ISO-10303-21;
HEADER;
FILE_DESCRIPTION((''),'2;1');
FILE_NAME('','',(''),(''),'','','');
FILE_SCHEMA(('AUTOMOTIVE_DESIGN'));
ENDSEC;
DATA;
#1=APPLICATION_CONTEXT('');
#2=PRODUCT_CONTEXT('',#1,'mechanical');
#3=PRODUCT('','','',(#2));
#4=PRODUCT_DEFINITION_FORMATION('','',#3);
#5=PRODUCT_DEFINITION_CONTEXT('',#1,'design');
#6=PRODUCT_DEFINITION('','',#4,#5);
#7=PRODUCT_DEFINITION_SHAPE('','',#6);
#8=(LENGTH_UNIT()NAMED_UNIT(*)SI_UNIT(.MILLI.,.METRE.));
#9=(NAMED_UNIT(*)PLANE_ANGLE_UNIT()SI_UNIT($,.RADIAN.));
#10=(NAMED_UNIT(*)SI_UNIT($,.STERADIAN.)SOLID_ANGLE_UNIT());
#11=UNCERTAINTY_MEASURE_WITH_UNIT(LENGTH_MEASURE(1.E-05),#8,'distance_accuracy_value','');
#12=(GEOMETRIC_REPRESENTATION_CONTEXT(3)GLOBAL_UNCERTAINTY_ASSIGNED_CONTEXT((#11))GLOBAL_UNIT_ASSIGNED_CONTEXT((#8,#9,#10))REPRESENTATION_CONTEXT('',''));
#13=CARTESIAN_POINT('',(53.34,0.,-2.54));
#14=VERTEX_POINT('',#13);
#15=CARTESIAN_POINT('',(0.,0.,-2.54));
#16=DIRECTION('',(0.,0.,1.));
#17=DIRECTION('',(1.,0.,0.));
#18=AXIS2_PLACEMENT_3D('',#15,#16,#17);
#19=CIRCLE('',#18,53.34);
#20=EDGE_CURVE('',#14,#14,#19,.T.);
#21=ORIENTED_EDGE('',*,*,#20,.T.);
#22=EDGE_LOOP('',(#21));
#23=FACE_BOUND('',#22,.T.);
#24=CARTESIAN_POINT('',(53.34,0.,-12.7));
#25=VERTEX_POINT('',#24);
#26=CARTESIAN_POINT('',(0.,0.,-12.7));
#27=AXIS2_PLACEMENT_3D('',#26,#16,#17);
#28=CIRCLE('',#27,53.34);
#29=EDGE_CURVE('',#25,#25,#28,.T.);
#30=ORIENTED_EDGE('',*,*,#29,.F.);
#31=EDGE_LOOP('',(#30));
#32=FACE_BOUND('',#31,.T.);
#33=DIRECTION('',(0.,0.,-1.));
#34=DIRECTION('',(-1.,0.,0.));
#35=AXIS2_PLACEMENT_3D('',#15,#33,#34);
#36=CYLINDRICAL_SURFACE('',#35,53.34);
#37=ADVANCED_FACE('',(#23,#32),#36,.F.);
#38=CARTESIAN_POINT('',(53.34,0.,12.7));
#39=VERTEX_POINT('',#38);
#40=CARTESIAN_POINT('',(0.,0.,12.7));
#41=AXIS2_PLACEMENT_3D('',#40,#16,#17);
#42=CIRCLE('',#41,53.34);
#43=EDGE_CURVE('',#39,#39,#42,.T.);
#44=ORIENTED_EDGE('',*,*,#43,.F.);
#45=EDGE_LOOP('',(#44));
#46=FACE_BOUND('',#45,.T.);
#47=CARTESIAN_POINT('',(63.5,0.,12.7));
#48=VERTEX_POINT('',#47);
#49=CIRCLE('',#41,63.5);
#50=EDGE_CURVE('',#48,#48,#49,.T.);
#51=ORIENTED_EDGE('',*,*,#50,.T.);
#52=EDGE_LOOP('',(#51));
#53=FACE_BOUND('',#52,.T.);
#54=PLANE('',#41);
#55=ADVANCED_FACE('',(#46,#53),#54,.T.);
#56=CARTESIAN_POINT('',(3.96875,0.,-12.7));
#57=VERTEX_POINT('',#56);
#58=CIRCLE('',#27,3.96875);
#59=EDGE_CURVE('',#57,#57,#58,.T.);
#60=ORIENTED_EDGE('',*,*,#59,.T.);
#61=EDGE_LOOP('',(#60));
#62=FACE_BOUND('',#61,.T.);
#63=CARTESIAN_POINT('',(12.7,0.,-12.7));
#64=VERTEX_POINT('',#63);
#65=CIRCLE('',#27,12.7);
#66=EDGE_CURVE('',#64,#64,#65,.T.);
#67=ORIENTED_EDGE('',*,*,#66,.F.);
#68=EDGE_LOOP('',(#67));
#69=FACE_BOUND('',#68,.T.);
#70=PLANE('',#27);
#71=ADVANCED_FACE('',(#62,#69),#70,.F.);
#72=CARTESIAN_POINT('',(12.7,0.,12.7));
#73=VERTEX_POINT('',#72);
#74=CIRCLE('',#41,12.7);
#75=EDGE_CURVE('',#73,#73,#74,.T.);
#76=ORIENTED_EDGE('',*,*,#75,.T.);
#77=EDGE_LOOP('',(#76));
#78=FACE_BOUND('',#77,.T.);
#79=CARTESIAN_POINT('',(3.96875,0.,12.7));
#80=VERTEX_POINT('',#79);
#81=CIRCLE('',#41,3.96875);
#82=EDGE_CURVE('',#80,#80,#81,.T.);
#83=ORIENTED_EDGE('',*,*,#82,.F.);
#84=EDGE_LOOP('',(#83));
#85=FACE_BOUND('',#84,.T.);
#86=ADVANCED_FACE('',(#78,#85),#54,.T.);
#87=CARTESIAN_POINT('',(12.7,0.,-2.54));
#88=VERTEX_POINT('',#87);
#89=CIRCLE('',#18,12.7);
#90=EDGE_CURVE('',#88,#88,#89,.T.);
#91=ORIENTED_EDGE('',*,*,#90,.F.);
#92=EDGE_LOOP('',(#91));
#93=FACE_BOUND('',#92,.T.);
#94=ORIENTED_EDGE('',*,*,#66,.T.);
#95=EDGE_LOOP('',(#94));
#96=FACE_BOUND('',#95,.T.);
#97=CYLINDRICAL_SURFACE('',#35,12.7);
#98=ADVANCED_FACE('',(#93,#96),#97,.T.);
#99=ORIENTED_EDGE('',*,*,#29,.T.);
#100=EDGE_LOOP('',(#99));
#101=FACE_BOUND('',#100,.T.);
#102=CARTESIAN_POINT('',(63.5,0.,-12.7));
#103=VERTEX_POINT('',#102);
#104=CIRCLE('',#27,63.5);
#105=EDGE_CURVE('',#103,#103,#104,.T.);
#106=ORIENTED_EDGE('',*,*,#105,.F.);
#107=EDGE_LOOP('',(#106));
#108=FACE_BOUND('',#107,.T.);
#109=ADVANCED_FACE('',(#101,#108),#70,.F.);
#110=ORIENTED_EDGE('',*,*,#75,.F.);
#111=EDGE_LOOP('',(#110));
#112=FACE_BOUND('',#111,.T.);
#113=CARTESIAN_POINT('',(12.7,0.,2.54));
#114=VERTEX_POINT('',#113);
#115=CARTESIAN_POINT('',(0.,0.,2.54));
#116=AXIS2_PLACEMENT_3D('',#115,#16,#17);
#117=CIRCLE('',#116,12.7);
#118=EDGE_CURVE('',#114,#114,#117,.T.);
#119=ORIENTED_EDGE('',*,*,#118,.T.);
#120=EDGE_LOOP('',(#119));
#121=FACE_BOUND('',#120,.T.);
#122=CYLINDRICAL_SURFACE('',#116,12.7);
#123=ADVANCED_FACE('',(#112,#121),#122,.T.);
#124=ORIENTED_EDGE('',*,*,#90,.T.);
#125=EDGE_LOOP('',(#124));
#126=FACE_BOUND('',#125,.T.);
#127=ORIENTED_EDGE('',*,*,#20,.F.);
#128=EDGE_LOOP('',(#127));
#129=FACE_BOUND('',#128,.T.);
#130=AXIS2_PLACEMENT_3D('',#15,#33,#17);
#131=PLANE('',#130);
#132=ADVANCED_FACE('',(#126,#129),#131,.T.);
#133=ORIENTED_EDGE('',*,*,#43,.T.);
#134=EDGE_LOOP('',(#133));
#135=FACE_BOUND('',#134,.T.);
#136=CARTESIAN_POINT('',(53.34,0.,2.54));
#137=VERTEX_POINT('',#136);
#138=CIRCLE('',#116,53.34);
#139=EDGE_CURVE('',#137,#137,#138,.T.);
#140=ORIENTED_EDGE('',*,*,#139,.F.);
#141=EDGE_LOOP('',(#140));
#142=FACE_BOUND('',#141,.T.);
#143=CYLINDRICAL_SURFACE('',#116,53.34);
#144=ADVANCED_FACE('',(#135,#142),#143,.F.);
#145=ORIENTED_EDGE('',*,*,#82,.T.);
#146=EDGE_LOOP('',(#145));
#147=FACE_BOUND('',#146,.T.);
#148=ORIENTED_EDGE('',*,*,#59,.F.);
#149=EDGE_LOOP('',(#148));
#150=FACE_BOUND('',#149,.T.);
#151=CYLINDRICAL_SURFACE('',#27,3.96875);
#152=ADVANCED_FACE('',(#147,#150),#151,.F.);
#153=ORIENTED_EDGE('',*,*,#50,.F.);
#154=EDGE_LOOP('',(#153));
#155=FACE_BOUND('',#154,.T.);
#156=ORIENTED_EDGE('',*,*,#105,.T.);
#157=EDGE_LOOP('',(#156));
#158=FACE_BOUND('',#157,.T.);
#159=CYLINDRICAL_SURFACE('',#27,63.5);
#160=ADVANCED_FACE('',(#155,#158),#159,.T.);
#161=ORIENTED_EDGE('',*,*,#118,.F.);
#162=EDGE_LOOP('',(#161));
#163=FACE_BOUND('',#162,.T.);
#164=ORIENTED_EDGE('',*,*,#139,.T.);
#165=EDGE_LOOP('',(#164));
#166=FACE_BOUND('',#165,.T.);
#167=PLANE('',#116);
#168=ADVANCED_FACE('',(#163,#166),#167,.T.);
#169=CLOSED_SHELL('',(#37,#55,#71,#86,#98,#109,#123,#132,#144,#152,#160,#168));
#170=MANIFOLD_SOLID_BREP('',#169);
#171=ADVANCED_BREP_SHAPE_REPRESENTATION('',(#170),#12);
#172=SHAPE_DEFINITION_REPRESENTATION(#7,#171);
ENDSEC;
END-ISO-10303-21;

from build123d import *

# Parameters (mm, degrees)
SKETCH1_R           = 63.5
SKETCH1_R_2         = 3.96875
BOSS_EXTRUDE1_DEPTH = 12.7
SKETCH2_R           = 53.34
SKETCH2_R_2         = 12.7
CUT_EXTRUDE1_DEPTH  = 10.16


with BuildPart() as part:
    # Sketch1 → Boss-Extrude1 (new body, symmetric)
    with BuildSketch(Plane.XY):
        Circle(SKETCH1_R)
        Circle(SKETCH1_R_2, mode=Mode.SUBTRACT)
    extrude(amount=BOSS_EXTRUDE1_DEPTH, both=True)

    # Sketch2 → Cut-Extrude1 (cut)
    with BuildSketch(Plane.XY.offset(12.7)):
        Circle(SKETCH2_R)
        Circle(SKETCH2_R_2, mode=Mode.SUBTRACT)
    cut_extrude1 = extrude(amount=-CUT_EXTRUDE1_DEPTH, mode=Mode.SUBTRACT)

    # Mirror1: Cut-Extrude1 across plane
    add(cut_extrude1.mirror(Plane.XY), mode=Mode.SUBTRACT)


solid = part.part
